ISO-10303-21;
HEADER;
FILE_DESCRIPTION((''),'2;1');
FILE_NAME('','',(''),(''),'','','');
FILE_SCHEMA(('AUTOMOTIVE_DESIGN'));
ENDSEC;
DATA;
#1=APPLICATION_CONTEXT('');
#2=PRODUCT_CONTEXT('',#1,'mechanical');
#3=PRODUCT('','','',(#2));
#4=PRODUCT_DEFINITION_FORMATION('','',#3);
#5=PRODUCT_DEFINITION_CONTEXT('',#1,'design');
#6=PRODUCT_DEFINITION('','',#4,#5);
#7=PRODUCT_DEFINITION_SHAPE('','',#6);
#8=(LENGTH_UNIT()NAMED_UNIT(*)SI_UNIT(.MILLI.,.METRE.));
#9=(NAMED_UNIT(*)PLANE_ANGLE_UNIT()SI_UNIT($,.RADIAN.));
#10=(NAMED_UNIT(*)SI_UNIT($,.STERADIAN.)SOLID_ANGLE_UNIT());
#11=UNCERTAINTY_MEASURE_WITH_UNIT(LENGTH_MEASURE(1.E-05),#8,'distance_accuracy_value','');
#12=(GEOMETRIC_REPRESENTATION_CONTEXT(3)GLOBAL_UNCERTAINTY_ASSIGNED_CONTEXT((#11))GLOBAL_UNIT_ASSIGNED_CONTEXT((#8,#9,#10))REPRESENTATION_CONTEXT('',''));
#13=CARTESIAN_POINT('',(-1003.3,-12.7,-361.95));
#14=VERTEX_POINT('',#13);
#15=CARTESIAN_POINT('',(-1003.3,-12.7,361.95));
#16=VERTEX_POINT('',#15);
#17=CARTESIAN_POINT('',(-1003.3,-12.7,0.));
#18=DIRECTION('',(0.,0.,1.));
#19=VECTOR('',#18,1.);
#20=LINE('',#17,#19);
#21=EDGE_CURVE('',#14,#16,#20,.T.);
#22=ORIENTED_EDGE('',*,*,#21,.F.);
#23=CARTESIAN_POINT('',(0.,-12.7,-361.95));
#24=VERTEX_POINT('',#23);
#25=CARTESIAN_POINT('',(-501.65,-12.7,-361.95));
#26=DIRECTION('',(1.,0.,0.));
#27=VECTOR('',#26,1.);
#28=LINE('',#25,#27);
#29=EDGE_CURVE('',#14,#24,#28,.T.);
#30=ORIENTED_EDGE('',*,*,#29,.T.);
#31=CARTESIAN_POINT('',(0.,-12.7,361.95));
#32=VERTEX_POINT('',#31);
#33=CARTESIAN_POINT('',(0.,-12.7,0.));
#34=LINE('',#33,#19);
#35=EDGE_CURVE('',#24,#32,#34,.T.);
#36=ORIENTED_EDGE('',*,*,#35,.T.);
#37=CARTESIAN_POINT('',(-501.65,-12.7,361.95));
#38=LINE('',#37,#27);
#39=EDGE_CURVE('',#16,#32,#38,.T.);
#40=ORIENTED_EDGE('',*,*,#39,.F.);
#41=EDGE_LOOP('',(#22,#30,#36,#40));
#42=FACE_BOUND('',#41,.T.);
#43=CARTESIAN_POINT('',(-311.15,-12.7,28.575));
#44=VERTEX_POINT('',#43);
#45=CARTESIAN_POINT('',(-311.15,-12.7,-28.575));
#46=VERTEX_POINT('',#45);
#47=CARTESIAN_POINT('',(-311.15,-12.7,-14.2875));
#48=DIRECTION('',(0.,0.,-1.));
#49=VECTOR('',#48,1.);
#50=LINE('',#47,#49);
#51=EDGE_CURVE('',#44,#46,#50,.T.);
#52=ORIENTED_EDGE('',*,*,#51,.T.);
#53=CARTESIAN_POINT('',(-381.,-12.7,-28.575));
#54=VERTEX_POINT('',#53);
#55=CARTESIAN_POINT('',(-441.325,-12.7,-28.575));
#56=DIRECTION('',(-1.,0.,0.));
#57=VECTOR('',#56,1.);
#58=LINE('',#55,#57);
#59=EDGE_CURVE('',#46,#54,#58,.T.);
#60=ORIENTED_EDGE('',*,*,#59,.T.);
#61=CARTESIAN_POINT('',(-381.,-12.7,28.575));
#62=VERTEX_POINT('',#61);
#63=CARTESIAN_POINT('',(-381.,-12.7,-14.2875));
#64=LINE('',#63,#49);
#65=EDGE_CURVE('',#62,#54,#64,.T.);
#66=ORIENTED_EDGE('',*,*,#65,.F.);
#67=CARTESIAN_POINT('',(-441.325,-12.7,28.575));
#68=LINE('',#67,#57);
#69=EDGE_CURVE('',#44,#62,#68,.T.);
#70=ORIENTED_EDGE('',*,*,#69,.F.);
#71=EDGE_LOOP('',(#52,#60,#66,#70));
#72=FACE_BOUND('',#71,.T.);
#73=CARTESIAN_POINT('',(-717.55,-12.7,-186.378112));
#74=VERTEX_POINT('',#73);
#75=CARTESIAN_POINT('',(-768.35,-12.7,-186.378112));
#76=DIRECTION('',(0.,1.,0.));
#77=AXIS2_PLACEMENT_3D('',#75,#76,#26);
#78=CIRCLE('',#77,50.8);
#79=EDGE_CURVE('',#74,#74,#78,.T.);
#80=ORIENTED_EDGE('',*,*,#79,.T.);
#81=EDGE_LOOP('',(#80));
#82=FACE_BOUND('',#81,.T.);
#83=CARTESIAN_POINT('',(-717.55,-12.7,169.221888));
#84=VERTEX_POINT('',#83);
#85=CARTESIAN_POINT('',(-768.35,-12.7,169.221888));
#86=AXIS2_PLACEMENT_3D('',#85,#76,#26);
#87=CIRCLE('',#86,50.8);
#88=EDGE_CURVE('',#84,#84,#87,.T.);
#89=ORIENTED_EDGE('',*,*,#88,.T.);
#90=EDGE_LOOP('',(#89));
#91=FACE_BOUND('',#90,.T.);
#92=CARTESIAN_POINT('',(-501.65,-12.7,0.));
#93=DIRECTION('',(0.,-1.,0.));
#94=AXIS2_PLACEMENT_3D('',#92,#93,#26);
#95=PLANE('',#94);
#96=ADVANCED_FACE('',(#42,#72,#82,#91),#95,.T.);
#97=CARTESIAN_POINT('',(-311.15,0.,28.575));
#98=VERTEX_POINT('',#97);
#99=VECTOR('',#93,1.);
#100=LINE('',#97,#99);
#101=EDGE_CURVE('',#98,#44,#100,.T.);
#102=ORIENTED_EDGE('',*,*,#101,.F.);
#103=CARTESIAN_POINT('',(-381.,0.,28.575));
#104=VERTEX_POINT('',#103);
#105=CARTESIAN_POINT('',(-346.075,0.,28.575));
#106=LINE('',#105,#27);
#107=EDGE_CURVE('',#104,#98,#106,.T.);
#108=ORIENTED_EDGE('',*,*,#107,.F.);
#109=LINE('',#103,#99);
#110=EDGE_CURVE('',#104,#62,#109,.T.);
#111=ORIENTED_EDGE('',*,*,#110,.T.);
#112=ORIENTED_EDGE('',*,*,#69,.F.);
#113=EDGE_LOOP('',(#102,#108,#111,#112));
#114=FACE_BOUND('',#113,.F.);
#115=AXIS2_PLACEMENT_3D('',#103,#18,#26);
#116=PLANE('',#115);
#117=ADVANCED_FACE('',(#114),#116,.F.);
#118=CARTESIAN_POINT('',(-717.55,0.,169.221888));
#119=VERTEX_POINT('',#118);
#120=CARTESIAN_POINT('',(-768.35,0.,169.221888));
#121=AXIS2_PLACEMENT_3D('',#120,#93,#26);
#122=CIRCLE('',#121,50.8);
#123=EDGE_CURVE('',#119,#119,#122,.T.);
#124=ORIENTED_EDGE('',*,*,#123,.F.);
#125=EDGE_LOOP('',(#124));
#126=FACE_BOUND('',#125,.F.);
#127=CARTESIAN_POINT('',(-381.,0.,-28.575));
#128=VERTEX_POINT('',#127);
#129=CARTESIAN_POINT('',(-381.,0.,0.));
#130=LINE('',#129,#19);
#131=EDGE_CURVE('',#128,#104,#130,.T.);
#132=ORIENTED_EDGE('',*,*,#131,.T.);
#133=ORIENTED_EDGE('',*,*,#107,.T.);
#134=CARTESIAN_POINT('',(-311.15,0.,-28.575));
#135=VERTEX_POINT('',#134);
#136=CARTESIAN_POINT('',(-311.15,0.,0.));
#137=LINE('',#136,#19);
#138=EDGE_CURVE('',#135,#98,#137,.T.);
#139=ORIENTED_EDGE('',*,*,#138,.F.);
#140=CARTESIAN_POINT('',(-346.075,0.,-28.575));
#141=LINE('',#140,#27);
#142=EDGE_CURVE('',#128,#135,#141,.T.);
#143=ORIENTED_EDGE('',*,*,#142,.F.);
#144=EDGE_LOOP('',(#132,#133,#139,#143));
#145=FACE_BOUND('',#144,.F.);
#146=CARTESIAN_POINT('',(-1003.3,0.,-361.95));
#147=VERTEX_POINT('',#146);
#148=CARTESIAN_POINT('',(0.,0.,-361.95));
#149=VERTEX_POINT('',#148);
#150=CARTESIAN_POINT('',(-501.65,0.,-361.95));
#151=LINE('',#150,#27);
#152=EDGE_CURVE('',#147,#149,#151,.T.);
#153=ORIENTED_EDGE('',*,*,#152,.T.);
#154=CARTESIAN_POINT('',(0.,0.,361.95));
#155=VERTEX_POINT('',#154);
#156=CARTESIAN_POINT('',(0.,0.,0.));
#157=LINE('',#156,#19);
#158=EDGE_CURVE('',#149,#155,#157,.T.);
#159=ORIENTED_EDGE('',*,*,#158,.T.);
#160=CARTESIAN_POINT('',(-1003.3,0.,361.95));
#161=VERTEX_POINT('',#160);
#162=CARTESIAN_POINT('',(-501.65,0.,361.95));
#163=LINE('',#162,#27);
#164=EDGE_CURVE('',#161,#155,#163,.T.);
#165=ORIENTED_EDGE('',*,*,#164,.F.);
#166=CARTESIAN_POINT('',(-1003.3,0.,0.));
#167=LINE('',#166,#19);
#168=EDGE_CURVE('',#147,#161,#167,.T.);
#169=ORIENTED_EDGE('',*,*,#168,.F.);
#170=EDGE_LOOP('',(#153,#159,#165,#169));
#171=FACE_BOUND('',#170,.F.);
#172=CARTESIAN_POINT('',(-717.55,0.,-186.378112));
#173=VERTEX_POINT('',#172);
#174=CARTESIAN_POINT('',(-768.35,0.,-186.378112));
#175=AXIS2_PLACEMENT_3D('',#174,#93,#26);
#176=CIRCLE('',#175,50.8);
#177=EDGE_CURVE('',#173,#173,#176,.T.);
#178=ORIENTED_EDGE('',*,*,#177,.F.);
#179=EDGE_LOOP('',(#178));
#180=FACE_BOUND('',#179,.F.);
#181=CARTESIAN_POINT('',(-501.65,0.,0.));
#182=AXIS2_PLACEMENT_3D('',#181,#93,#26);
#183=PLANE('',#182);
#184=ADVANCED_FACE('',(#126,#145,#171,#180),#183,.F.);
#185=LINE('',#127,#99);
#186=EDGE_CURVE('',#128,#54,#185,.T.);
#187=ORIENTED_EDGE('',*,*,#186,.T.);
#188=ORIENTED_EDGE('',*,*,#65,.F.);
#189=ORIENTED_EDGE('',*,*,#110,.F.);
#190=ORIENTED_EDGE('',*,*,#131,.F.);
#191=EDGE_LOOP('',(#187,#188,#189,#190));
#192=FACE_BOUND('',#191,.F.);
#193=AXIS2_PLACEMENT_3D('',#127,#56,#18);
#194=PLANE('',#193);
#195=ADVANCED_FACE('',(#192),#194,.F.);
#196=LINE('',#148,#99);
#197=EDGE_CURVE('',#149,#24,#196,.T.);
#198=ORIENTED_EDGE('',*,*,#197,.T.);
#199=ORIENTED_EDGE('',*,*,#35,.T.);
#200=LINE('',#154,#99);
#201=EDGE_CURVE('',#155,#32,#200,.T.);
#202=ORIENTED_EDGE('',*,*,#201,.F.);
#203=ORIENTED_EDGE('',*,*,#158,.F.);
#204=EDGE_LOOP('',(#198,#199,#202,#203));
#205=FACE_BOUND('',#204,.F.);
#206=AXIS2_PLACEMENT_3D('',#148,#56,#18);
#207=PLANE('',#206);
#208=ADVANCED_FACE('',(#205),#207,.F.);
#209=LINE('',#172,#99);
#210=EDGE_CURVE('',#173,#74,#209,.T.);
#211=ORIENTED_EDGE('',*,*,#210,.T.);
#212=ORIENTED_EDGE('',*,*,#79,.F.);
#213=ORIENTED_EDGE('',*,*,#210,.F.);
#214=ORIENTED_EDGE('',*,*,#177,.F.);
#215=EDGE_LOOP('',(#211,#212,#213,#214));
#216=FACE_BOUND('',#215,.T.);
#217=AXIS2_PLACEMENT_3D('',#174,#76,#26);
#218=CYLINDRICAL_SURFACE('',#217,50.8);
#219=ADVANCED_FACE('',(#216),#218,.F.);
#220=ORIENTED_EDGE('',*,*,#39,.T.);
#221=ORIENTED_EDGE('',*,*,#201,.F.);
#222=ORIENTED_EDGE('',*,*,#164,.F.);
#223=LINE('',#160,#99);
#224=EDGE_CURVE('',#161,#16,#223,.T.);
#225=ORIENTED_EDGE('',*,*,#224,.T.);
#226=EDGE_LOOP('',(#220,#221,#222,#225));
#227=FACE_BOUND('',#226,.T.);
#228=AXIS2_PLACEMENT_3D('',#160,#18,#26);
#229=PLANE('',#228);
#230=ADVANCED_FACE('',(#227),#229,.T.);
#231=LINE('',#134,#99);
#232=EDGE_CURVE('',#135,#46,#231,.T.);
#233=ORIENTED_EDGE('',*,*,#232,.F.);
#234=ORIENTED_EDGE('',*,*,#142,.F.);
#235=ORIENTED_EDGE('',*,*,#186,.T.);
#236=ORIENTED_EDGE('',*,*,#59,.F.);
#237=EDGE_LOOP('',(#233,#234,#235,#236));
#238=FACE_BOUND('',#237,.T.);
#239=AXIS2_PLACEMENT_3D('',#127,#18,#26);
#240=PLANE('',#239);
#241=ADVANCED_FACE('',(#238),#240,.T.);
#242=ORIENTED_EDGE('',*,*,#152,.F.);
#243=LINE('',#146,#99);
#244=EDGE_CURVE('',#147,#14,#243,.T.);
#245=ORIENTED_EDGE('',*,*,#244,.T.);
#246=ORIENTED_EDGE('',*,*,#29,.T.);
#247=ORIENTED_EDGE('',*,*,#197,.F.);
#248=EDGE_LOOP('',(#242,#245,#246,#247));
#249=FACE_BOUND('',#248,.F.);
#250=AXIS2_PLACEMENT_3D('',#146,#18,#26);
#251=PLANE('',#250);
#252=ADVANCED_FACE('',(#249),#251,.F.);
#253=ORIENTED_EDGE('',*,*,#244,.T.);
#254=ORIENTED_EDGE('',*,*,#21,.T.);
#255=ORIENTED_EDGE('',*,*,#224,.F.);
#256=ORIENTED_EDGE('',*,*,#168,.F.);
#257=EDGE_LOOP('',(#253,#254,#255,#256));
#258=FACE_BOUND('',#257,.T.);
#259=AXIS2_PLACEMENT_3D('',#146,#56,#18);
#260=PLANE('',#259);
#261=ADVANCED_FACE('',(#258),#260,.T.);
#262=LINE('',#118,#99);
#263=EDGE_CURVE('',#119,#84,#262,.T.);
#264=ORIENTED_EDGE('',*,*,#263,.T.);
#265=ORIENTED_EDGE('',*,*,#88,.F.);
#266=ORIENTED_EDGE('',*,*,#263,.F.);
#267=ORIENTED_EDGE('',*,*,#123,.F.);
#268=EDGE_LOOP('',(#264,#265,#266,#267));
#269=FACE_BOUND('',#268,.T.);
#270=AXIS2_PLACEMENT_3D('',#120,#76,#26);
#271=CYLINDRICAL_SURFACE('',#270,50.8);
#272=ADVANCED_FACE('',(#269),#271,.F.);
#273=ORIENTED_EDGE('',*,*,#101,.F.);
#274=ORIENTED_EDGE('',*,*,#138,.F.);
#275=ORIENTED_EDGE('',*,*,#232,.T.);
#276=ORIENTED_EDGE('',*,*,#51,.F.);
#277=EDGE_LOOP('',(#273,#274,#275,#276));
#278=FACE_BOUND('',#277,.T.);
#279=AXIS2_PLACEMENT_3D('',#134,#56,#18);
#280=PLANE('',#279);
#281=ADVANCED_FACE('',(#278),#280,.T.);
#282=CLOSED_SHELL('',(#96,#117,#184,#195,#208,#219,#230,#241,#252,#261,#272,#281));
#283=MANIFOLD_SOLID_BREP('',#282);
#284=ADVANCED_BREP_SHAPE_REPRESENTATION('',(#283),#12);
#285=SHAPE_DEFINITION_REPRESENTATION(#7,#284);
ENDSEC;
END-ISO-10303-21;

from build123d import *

# Parameters (mm, degrees)
F0_W     = 1003.3
F0_H     = 723.9
F1_DEPTH = 12.7
F2_W     = 69.85
F2_H     = 57.15
F3_DEPTH = 12.701
F4_R     = 50.8
F5_DEPTH = 12.701


with BuildPart() as f1:
    # F0 (on Front) → F1 (new body)
    with BuildSketch(Plane.XZ):
        with Locations((-501.65, 0)):
            Rectangle(F0_W, F0_H)
    extrude(amount=F1_DEPTH)

    # F2 (on Front) → F3 (cut, through all)
    with BuildSketch(Plane.XZ):
        with Locations((-346.075, 0)):
            Rectangle(F2_W, F2_H)
    extrude(amount=F3_DEPTH, mode=Mode.SUBTRACT)

    # F4 (on Front) → F5 (cut, through all)
    with BuildSketch(Plane.XZ):
        with Locations((-768.35, 169.221888)):
            Circle(F4_R)
        with Locations((-768.35, -186.378112)):
            Circle(F4_R)
    extrude(amount=F5_DEPTH, mode=Mode.SUBTRACT)


solid = f1.part
